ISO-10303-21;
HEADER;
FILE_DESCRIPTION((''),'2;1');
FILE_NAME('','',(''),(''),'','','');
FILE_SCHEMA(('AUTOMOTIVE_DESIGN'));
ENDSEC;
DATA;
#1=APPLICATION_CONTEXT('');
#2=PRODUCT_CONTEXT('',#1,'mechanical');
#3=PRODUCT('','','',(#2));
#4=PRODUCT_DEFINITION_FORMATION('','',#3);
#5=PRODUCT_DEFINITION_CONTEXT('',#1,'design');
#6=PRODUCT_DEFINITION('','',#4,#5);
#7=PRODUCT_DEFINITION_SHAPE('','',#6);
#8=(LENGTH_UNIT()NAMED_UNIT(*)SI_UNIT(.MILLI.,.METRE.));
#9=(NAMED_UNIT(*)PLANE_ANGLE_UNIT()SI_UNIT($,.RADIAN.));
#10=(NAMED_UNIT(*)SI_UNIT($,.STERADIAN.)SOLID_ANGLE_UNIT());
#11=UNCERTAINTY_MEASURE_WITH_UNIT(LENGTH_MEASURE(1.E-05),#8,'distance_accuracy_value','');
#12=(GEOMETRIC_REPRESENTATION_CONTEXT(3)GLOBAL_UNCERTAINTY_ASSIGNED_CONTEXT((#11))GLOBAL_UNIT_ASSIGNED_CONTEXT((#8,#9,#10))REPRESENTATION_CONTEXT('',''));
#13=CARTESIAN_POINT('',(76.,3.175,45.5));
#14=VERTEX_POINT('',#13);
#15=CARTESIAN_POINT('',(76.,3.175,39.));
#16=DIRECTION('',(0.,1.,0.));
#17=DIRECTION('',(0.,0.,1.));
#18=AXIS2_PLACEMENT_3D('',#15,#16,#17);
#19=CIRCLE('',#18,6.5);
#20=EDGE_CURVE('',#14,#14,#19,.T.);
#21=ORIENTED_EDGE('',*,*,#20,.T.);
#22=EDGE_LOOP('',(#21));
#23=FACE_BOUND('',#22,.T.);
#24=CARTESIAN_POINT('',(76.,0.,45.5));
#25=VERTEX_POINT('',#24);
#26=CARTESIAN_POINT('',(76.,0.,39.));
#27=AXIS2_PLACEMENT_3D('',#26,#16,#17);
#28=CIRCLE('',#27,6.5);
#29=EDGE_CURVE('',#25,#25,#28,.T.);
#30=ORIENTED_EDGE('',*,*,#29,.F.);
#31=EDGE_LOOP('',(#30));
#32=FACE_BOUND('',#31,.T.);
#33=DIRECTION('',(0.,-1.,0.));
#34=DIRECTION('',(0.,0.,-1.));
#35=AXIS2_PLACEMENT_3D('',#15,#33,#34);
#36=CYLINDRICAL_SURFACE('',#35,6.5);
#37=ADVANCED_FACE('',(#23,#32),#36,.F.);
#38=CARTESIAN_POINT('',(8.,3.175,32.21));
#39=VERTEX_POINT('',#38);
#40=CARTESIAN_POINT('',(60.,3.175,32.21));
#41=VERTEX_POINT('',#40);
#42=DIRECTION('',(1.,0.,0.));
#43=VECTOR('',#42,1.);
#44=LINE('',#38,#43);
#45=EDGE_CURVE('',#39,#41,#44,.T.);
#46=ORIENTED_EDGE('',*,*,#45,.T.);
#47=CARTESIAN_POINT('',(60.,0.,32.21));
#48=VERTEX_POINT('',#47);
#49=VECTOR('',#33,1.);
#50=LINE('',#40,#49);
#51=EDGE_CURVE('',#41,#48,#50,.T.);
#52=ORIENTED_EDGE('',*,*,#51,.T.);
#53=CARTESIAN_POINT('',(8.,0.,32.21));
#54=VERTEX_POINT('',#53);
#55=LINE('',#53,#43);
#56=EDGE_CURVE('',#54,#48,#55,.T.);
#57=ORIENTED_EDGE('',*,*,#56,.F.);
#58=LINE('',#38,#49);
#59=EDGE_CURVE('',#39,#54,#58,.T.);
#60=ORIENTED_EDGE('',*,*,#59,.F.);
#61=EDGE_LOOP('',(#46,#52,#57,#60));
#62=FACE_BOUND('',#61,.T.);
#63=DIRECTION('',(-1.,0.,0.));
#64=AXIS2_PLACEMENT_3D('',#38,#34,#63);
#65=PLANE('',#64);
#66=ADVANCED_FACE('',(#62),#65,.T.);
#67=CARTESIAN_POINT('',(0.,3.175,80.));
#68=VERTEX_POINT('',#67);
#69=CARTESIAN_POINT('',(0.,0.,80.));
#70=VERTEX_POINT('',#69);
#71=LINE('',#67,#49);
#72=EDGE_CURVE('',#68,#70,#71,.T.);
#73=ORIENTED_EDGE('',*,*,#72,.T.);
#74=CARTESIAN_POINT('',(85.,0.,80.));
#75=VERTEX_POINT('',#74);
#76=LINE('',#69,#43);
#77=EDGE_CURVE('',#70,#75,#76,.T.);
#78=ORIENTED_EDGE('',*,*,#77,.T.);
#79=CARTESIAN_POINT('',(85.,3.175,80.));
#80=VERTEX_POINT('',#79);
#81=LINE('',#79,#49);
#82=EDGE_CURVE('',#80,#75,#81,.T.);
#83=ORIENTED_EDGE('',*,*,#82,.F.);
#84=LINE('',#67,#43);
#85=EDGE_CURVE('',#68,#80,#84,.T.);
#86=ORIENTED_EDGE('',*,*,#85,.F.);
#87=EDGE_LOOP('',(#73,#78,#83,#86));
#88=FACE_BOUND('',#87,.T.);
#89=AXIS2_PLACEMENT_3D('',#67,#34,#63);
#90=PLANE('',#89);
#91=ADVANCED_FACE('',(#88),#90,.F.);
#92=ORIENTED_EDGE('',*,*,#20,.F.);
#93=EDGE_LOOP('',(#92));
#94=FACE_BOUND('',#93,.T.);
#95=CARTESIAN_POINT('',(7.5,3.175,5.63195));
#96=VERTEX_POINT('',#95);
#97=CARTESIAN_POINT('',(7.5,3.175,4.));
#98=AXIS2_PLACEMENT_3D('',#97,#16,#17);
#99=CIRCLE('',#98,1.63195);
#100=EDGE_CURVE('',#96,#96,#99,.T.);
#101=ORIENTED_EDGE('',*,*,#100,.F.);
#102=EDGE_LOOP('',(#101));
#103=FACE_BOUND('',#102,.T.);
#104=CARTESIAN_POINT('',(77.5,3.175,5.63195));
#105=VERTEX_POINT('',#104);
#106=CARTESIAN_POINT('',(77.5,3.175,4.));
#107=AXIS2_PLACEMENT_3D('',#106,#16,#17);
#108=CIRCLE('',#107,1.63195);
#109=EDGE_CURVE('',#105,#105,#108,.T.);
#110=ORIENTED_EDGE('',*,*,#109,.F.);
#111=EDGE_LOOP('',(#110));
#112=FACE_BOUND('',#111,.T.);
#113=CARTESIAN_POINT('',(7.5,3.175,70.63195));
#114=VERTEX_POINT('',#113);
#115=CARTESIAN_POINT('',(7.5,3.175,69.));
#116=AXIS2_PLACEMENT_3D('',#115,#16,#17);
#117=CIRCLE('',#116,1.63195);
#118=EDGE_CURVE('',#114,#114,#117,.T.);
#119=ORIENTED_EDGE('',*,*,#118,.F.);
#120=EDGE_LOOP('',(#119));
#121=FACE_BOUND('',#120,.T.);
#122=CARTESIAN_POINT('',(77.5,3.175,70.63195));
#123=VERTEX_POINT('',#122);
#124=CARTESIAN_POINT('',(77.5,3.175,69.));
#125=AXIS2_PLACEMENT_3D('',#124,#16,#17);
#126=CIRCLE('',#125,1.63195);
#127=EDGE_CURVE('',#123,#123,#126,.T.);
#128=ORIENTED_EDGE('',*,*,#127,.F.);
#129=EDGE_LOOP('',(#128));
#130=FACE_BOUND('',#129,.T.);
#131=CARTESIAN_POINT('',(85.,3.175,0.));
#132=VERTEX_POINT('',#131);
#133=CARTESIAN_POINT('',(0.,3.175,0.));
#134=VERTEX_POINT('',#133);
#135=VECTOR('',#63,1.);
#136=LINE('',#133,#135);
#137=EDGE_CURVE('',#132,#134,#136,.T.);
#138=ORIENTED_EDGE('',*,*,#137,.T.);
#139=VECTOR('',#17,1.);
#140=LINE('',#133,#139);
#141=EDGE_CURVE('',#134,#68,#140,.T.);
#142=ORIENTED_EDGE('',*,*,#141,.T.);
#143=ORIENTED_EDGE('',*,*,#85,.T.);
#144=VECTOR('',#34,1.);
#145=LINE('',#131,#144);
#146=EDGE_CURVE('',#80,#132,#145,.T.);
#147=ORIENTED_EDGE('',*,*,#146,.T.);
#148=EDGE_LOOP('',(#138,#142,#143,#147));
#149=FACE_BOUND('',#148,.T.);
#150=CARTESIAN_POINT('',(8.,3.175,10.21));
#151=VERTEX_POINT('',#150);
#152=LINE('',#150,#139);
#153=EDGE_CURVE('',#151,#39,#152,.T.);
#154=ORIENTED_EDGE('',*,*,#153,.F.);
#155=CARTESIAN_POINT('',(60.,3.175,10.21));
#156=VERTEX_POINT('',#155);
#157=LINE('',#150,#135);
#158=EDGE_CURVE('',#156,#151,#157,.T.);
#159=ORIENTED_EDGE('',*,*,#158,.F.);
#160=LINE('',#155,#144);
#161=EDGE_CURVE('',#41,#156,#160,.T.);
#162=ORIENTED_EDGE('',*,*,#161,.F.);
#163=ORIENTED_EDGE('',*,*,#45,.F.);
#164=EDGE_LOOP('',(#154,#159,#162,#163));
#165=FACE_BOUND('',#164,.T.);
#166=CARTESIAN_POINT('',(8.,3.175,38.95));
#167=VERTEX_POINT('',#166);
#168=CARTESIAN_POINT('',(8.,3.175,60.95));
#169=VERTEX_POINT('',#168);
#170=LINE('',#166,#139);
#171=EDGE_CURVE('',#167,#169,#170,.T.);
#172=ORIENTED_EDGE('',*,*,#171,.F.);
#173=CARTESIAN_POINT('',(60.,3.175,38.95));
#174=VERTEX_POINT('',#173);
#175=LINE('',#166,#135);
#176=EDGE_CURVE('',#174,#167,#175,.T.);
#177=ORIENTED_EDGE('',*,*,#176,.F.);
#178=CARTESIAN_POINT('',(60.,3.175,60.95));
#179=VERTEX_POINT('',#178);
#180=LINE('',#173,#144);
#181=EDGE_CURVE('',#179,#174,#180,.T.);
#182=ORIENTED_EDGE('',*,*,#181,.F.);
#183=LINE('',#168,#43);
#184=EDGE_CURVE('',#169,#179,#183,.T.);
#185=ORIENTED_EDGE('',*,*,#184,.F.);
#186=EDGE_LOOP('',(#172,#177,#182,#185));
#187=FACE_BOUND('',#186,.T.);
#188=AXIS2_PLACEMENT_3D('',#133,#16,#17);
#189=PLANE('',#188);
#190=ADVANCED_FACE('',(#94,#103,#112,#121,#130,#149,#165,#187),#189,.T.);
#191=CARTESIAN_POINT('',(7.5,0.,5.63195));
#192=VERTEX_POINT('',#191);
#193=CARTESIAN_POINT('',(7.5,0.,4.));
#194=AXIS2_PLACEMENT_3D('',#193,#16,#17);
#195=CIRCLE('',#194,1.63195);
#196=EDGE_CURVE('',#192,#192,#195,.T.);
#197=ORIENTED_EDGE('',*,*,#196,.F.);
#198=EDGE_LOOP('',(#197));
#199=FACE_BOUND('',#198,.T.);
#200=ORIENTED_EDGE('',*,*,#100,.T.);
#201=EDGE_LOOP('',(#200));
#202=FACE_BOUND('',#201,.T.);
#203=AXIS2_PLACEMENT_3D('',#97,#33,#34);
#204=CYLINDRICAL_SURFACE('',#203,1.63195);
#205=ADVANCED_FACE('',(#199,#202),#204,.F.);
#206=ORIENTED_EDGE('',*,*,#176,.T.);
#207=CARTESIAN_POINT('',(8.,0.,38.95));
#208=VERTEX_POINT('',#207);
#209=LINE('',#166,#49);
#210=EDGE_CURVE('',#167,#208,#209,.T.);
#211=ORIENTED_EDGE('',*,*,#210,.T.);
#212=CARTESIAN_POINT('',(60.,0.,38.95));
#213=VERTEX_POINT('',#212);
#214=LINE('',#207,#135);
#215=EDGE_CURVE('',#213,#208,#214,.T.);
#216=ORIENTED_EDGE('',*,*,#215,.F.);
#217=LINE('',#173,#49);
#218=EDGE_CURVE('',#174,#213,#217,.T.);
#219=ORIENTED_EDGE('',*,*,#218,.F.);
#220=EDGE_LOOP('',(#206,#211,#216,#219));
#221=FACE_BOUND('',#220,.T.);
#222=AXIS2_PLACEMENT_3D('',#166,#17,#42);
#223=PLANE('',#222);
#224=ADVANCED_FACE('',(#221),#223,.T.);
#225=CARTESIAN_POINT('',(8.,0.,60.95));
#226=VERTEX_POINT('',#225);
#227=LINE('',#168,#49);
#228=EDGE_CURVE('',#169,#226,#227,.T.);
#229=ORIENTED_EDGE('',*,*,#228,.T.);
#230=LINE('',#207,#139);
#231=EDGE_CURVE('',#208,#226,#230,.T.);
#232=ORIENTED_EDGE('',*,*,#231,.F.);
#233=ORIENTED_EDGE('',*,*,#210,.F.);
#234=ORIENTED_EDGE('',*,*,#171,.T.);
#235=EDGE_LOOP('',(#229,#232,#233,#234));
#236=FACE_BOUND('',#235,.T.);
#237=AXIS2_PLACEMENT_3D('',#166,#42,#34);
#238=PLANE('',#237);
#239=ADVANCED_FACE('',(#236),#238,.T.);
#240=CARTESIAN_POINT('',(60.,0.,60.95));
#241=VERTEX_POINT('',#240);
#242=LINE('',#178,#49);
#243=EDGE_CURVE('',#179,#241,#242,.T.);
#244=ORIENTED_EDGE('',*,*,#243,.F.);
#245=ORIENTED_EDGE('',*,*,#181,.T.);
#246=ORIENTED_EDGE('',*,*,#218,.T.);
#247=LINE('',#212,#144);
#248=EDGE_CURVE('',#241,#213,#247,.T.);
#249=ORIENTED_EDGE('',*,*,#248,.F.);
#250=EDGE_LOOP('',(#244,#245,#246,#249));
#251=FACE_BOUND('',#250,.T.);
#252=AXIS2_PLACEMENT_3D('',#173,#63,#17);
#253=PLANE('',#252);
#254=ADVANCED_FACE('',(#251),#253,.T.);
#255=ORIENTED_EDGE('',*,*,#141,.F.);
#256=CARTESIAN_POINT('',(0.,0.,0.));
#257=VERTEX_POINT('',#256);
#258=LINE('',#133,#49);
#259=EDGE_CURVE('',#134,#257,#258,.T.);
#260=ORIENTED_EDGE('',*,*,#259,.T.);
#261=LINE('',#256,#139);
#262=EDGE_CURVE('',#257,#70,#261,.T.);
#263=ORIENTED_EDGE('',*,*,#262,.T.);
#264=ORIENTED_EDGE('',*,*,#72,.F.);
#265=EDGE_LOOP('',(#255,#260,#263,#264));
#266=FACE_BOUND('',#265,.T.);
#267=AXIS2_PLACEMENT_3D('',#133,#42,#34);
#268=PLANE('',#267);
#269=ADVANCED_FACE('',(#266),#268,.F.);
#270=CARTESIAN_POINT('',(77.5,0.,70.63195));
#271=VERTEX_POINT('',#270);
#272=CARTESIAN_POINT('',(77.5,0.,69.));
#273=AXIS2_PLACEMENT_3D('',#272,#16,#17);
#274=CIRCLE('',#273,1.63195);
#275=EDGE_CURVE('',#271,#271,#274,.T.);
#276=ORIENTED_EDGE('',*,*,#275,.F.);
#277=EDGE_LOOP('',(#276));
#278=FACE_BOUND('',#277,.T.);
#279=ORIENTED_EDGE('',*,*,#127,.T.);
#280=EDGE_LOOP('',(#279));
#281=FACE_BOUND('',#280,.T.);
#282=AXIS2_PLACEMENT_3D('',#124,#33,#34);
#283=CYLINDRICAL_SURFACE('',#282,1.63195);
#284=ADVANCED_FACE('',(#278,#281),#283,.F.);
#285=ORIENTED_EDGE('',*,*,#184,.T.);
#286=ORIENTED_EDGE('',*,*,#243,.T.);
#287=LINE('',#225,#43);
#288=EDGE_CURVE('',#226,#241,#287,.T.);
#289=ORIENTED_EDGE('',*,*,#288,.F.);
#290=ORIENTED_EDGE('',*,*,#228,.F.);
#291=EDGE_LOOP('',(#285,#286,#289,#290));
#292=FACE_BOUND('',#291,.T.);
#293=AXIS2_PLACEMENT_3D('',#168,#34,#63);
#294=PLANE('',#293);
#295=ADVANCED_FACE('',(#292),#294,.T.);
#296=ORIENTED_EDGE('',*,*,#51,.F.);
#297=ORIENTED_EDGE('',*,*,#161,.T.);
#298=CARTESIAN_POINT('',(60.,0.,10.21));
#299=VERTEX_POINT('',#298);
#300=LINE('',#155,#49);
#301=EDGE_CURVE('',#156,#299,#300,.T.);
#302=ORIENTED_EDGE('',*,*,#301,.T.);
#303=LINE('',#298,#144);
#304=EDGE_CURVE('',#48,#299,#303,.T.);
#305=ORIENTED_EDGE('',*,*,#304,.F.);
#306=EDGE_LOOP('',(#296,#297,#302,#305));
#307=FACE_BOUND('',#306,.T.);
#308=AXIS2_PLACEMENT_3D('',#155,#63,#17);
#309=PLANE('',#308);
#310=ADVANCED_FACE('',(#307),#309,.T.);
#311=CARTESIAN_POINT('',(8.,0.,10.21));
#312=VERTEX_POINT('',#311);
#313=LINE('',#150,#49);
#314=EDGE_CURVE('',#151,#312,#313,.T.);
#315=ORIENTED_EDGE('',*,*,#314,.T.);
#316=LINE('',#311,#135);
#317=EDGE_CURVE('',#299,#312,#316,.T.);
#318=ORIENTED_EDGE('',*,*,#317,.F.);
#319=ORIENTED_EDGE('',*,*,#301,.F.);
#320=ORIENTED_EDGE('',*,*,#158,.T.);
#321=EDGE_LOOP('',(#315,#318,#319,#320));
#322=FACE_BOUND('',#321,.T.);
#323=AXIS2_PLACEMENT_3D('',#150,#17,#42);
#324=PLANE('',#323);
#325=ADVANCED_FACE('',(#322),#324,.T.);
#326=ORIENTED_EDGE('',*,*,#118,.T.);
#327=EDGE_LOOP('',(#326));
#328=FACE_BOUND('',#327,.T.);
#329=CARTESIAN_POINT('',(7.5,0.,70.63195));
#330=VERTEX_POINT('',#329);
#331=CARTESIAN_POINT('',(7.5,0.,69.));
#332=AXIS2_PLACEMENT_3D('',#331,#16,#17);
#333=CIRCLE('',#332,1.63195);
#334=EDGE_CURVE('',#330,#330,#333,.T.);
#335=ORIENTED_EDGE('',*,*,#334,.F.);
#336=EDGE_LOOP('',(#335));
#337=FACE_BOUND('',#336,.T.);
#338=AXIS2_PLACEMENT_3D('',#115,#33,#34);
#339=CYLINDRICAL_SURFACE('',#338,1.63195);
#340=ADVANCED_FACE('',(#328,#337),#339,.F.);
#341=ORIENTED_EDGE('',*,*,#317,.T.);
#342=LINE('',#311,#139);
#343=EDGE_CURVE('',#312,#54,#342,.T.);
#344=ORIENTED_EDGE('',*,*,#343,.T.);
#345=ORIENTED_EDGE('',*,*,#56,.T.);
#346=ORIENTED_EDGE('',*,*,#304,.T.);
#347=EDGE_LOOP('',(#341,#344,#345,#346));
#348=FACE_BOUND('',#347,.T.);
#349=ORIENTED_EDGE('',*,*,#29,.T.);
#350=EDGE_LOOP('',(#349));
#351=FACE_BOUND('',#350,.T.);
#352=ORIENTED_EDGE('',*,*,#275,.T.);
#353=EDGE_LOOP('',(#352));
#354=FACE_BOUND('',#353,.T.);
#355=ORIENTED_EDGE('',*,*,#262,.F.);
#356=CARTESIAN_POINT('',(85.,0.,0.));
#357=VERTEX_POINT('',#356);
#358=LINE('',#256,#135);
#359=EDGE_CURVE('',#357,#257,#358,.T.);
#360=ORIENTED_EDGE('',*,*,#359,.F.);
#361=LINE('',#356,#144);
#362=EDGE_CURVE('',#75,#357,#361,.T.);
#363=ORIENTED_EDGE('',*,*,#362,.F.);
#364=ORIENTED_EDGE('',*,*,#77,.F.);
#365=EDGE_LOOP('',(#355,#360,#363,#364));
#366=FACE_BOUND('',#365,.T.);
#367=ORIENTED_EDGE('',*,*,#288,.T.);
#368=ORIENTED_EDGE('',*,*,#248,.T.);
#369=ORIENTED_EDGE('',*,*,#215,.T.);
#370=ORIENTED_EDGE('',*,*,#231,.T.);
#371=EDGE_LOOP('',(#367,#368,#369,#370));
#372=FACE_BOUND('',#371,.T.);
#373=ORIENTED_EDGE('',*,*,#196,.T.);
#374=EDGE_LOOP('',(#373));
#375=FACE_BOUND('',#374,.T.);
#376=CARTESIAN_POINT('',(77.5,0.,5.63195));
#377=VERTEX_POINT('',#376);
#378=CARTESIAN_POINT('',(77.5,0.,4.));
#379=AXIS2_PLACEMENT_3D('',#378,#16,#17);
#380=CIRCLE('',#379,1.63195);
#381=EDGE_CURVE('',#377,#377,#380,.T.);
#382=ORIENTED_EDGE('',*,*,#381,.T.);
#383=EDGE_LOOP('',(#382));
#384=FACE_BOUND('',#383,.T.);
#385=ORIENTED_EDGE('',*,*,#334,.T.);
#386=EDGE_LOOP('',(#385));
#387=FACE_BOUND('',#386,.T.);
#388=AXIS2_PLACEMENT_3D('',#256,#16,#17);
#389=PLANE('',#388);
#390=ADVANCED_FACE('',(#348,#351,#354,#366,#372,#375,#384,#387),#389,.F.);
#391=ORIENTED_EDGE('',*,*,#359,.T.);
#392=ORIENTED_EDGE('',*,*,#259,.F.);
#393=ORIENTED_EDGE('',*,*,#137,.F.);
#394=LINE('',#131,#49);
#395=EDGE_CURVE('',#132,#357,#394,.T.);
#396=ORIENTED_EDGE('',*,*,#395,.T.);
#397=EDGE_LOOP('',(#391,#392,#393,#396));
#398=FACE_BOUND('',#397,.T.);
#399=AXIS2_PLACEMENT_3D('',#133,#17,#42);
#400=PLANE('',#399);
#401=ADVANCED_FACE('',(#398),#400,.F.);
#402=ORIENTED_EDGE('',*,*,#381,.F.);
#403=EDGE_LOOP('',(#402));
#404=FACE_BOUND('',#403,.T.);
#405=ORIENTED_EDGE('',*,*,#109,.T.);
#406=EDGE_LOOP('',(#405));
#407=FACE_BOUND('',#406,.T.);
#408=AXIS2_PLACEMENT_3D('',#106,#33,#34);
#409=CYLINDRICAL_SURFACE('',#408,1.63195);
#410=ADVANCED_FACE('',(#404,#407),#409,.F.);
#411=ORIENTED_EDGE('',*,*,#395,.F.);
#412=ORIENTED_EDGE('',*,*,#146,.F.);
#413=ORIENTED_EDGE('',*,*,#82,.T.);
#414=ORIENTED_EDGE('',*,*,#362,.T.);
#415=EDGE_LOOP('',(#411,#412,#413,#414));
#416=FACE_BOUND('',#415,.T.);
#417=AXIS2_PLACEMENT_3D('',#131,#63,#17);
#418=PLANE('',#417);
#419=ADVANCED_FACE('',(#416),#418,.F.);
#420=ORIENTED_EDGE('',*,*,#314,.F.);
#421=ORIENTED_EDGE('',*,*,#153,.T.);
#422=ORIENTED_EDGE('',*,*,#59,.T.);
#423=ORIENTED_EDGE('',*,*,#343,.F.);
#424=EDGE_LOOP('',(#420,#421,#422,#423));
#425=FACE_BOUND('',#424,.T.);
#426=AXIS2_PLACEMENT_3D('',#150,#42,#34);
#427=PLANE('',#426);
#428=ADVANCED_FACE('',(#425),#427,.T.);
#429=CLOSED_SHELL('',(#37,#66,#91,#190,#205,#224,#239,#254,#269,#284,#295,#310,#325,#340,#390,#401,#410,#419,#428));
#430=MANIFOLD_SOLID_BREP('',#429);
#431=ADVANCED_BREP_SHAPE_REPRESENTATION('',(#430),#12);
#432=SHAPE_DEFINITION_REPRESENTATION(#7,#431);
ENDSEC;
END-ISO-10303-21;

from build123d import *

# Parameters (mm, degrees)
SKETCH1_W           = 85
SKETCH1_H           = 80
SKETCH1_R           = 1.63195
SKETCH1_R_2         = 6.5
SKETCH1_W_2         = 52
SKETCH1_H_2         = 22
BOSS_EXTRUDE1_DEPTH = 3.175


with BuildPart() as part:
    # Sketch1 → Boss-Extrude1 (new body)
    with BuildSketch(Plane(origin=(0, 0, 0), x_dir=(1, 0, 0), z_dir=(0, 1, 0))):
        with Locations((42.5, -40)):
            Rectangle(SKETCH1_W, SKETCH1_H)
        with Locations(Location((7.5, -4, 0), (0, 0, 270))):
            Circle(SKETCH1_R, mode=Mode.SUBTRACT)
        with Locations(Location((7.5, -69, 0), (0, 0, 270))):
            Circle(SKETCH1_R, mode=Mode.SUBTRACT)
        with Locations(Location((77.5, -69, 0), (0, 0, 270))):
            Circle(SKETCH1_R, mode=Mode.SUBTRACT)
        with Locations(Location((77.5, -4, 0), (0, 0, 270))):
            Circle(SKETCH1_R, mode=Mode.SUBTRACT)
        with Locations(Location((76, -39, 0), (0, 0, 270))):
            Circle(SKETCH1_R_2, mode=Mode.SUBTRACT)
        with Locations((34, -49.95)):
            Rectangle(SKETCH1_W_2, SKETCH1_H_2, mode=Mode.SUBTRACT)
        with Locations((34, -21.21)):
            Rectangle(SKETCH1_W_2, SKETCH1_H_2, mode=Mode.SUBTRACT)
    extrude(amount=BOSS_EXTRUDE1_DEPTH)


solid = part.part
